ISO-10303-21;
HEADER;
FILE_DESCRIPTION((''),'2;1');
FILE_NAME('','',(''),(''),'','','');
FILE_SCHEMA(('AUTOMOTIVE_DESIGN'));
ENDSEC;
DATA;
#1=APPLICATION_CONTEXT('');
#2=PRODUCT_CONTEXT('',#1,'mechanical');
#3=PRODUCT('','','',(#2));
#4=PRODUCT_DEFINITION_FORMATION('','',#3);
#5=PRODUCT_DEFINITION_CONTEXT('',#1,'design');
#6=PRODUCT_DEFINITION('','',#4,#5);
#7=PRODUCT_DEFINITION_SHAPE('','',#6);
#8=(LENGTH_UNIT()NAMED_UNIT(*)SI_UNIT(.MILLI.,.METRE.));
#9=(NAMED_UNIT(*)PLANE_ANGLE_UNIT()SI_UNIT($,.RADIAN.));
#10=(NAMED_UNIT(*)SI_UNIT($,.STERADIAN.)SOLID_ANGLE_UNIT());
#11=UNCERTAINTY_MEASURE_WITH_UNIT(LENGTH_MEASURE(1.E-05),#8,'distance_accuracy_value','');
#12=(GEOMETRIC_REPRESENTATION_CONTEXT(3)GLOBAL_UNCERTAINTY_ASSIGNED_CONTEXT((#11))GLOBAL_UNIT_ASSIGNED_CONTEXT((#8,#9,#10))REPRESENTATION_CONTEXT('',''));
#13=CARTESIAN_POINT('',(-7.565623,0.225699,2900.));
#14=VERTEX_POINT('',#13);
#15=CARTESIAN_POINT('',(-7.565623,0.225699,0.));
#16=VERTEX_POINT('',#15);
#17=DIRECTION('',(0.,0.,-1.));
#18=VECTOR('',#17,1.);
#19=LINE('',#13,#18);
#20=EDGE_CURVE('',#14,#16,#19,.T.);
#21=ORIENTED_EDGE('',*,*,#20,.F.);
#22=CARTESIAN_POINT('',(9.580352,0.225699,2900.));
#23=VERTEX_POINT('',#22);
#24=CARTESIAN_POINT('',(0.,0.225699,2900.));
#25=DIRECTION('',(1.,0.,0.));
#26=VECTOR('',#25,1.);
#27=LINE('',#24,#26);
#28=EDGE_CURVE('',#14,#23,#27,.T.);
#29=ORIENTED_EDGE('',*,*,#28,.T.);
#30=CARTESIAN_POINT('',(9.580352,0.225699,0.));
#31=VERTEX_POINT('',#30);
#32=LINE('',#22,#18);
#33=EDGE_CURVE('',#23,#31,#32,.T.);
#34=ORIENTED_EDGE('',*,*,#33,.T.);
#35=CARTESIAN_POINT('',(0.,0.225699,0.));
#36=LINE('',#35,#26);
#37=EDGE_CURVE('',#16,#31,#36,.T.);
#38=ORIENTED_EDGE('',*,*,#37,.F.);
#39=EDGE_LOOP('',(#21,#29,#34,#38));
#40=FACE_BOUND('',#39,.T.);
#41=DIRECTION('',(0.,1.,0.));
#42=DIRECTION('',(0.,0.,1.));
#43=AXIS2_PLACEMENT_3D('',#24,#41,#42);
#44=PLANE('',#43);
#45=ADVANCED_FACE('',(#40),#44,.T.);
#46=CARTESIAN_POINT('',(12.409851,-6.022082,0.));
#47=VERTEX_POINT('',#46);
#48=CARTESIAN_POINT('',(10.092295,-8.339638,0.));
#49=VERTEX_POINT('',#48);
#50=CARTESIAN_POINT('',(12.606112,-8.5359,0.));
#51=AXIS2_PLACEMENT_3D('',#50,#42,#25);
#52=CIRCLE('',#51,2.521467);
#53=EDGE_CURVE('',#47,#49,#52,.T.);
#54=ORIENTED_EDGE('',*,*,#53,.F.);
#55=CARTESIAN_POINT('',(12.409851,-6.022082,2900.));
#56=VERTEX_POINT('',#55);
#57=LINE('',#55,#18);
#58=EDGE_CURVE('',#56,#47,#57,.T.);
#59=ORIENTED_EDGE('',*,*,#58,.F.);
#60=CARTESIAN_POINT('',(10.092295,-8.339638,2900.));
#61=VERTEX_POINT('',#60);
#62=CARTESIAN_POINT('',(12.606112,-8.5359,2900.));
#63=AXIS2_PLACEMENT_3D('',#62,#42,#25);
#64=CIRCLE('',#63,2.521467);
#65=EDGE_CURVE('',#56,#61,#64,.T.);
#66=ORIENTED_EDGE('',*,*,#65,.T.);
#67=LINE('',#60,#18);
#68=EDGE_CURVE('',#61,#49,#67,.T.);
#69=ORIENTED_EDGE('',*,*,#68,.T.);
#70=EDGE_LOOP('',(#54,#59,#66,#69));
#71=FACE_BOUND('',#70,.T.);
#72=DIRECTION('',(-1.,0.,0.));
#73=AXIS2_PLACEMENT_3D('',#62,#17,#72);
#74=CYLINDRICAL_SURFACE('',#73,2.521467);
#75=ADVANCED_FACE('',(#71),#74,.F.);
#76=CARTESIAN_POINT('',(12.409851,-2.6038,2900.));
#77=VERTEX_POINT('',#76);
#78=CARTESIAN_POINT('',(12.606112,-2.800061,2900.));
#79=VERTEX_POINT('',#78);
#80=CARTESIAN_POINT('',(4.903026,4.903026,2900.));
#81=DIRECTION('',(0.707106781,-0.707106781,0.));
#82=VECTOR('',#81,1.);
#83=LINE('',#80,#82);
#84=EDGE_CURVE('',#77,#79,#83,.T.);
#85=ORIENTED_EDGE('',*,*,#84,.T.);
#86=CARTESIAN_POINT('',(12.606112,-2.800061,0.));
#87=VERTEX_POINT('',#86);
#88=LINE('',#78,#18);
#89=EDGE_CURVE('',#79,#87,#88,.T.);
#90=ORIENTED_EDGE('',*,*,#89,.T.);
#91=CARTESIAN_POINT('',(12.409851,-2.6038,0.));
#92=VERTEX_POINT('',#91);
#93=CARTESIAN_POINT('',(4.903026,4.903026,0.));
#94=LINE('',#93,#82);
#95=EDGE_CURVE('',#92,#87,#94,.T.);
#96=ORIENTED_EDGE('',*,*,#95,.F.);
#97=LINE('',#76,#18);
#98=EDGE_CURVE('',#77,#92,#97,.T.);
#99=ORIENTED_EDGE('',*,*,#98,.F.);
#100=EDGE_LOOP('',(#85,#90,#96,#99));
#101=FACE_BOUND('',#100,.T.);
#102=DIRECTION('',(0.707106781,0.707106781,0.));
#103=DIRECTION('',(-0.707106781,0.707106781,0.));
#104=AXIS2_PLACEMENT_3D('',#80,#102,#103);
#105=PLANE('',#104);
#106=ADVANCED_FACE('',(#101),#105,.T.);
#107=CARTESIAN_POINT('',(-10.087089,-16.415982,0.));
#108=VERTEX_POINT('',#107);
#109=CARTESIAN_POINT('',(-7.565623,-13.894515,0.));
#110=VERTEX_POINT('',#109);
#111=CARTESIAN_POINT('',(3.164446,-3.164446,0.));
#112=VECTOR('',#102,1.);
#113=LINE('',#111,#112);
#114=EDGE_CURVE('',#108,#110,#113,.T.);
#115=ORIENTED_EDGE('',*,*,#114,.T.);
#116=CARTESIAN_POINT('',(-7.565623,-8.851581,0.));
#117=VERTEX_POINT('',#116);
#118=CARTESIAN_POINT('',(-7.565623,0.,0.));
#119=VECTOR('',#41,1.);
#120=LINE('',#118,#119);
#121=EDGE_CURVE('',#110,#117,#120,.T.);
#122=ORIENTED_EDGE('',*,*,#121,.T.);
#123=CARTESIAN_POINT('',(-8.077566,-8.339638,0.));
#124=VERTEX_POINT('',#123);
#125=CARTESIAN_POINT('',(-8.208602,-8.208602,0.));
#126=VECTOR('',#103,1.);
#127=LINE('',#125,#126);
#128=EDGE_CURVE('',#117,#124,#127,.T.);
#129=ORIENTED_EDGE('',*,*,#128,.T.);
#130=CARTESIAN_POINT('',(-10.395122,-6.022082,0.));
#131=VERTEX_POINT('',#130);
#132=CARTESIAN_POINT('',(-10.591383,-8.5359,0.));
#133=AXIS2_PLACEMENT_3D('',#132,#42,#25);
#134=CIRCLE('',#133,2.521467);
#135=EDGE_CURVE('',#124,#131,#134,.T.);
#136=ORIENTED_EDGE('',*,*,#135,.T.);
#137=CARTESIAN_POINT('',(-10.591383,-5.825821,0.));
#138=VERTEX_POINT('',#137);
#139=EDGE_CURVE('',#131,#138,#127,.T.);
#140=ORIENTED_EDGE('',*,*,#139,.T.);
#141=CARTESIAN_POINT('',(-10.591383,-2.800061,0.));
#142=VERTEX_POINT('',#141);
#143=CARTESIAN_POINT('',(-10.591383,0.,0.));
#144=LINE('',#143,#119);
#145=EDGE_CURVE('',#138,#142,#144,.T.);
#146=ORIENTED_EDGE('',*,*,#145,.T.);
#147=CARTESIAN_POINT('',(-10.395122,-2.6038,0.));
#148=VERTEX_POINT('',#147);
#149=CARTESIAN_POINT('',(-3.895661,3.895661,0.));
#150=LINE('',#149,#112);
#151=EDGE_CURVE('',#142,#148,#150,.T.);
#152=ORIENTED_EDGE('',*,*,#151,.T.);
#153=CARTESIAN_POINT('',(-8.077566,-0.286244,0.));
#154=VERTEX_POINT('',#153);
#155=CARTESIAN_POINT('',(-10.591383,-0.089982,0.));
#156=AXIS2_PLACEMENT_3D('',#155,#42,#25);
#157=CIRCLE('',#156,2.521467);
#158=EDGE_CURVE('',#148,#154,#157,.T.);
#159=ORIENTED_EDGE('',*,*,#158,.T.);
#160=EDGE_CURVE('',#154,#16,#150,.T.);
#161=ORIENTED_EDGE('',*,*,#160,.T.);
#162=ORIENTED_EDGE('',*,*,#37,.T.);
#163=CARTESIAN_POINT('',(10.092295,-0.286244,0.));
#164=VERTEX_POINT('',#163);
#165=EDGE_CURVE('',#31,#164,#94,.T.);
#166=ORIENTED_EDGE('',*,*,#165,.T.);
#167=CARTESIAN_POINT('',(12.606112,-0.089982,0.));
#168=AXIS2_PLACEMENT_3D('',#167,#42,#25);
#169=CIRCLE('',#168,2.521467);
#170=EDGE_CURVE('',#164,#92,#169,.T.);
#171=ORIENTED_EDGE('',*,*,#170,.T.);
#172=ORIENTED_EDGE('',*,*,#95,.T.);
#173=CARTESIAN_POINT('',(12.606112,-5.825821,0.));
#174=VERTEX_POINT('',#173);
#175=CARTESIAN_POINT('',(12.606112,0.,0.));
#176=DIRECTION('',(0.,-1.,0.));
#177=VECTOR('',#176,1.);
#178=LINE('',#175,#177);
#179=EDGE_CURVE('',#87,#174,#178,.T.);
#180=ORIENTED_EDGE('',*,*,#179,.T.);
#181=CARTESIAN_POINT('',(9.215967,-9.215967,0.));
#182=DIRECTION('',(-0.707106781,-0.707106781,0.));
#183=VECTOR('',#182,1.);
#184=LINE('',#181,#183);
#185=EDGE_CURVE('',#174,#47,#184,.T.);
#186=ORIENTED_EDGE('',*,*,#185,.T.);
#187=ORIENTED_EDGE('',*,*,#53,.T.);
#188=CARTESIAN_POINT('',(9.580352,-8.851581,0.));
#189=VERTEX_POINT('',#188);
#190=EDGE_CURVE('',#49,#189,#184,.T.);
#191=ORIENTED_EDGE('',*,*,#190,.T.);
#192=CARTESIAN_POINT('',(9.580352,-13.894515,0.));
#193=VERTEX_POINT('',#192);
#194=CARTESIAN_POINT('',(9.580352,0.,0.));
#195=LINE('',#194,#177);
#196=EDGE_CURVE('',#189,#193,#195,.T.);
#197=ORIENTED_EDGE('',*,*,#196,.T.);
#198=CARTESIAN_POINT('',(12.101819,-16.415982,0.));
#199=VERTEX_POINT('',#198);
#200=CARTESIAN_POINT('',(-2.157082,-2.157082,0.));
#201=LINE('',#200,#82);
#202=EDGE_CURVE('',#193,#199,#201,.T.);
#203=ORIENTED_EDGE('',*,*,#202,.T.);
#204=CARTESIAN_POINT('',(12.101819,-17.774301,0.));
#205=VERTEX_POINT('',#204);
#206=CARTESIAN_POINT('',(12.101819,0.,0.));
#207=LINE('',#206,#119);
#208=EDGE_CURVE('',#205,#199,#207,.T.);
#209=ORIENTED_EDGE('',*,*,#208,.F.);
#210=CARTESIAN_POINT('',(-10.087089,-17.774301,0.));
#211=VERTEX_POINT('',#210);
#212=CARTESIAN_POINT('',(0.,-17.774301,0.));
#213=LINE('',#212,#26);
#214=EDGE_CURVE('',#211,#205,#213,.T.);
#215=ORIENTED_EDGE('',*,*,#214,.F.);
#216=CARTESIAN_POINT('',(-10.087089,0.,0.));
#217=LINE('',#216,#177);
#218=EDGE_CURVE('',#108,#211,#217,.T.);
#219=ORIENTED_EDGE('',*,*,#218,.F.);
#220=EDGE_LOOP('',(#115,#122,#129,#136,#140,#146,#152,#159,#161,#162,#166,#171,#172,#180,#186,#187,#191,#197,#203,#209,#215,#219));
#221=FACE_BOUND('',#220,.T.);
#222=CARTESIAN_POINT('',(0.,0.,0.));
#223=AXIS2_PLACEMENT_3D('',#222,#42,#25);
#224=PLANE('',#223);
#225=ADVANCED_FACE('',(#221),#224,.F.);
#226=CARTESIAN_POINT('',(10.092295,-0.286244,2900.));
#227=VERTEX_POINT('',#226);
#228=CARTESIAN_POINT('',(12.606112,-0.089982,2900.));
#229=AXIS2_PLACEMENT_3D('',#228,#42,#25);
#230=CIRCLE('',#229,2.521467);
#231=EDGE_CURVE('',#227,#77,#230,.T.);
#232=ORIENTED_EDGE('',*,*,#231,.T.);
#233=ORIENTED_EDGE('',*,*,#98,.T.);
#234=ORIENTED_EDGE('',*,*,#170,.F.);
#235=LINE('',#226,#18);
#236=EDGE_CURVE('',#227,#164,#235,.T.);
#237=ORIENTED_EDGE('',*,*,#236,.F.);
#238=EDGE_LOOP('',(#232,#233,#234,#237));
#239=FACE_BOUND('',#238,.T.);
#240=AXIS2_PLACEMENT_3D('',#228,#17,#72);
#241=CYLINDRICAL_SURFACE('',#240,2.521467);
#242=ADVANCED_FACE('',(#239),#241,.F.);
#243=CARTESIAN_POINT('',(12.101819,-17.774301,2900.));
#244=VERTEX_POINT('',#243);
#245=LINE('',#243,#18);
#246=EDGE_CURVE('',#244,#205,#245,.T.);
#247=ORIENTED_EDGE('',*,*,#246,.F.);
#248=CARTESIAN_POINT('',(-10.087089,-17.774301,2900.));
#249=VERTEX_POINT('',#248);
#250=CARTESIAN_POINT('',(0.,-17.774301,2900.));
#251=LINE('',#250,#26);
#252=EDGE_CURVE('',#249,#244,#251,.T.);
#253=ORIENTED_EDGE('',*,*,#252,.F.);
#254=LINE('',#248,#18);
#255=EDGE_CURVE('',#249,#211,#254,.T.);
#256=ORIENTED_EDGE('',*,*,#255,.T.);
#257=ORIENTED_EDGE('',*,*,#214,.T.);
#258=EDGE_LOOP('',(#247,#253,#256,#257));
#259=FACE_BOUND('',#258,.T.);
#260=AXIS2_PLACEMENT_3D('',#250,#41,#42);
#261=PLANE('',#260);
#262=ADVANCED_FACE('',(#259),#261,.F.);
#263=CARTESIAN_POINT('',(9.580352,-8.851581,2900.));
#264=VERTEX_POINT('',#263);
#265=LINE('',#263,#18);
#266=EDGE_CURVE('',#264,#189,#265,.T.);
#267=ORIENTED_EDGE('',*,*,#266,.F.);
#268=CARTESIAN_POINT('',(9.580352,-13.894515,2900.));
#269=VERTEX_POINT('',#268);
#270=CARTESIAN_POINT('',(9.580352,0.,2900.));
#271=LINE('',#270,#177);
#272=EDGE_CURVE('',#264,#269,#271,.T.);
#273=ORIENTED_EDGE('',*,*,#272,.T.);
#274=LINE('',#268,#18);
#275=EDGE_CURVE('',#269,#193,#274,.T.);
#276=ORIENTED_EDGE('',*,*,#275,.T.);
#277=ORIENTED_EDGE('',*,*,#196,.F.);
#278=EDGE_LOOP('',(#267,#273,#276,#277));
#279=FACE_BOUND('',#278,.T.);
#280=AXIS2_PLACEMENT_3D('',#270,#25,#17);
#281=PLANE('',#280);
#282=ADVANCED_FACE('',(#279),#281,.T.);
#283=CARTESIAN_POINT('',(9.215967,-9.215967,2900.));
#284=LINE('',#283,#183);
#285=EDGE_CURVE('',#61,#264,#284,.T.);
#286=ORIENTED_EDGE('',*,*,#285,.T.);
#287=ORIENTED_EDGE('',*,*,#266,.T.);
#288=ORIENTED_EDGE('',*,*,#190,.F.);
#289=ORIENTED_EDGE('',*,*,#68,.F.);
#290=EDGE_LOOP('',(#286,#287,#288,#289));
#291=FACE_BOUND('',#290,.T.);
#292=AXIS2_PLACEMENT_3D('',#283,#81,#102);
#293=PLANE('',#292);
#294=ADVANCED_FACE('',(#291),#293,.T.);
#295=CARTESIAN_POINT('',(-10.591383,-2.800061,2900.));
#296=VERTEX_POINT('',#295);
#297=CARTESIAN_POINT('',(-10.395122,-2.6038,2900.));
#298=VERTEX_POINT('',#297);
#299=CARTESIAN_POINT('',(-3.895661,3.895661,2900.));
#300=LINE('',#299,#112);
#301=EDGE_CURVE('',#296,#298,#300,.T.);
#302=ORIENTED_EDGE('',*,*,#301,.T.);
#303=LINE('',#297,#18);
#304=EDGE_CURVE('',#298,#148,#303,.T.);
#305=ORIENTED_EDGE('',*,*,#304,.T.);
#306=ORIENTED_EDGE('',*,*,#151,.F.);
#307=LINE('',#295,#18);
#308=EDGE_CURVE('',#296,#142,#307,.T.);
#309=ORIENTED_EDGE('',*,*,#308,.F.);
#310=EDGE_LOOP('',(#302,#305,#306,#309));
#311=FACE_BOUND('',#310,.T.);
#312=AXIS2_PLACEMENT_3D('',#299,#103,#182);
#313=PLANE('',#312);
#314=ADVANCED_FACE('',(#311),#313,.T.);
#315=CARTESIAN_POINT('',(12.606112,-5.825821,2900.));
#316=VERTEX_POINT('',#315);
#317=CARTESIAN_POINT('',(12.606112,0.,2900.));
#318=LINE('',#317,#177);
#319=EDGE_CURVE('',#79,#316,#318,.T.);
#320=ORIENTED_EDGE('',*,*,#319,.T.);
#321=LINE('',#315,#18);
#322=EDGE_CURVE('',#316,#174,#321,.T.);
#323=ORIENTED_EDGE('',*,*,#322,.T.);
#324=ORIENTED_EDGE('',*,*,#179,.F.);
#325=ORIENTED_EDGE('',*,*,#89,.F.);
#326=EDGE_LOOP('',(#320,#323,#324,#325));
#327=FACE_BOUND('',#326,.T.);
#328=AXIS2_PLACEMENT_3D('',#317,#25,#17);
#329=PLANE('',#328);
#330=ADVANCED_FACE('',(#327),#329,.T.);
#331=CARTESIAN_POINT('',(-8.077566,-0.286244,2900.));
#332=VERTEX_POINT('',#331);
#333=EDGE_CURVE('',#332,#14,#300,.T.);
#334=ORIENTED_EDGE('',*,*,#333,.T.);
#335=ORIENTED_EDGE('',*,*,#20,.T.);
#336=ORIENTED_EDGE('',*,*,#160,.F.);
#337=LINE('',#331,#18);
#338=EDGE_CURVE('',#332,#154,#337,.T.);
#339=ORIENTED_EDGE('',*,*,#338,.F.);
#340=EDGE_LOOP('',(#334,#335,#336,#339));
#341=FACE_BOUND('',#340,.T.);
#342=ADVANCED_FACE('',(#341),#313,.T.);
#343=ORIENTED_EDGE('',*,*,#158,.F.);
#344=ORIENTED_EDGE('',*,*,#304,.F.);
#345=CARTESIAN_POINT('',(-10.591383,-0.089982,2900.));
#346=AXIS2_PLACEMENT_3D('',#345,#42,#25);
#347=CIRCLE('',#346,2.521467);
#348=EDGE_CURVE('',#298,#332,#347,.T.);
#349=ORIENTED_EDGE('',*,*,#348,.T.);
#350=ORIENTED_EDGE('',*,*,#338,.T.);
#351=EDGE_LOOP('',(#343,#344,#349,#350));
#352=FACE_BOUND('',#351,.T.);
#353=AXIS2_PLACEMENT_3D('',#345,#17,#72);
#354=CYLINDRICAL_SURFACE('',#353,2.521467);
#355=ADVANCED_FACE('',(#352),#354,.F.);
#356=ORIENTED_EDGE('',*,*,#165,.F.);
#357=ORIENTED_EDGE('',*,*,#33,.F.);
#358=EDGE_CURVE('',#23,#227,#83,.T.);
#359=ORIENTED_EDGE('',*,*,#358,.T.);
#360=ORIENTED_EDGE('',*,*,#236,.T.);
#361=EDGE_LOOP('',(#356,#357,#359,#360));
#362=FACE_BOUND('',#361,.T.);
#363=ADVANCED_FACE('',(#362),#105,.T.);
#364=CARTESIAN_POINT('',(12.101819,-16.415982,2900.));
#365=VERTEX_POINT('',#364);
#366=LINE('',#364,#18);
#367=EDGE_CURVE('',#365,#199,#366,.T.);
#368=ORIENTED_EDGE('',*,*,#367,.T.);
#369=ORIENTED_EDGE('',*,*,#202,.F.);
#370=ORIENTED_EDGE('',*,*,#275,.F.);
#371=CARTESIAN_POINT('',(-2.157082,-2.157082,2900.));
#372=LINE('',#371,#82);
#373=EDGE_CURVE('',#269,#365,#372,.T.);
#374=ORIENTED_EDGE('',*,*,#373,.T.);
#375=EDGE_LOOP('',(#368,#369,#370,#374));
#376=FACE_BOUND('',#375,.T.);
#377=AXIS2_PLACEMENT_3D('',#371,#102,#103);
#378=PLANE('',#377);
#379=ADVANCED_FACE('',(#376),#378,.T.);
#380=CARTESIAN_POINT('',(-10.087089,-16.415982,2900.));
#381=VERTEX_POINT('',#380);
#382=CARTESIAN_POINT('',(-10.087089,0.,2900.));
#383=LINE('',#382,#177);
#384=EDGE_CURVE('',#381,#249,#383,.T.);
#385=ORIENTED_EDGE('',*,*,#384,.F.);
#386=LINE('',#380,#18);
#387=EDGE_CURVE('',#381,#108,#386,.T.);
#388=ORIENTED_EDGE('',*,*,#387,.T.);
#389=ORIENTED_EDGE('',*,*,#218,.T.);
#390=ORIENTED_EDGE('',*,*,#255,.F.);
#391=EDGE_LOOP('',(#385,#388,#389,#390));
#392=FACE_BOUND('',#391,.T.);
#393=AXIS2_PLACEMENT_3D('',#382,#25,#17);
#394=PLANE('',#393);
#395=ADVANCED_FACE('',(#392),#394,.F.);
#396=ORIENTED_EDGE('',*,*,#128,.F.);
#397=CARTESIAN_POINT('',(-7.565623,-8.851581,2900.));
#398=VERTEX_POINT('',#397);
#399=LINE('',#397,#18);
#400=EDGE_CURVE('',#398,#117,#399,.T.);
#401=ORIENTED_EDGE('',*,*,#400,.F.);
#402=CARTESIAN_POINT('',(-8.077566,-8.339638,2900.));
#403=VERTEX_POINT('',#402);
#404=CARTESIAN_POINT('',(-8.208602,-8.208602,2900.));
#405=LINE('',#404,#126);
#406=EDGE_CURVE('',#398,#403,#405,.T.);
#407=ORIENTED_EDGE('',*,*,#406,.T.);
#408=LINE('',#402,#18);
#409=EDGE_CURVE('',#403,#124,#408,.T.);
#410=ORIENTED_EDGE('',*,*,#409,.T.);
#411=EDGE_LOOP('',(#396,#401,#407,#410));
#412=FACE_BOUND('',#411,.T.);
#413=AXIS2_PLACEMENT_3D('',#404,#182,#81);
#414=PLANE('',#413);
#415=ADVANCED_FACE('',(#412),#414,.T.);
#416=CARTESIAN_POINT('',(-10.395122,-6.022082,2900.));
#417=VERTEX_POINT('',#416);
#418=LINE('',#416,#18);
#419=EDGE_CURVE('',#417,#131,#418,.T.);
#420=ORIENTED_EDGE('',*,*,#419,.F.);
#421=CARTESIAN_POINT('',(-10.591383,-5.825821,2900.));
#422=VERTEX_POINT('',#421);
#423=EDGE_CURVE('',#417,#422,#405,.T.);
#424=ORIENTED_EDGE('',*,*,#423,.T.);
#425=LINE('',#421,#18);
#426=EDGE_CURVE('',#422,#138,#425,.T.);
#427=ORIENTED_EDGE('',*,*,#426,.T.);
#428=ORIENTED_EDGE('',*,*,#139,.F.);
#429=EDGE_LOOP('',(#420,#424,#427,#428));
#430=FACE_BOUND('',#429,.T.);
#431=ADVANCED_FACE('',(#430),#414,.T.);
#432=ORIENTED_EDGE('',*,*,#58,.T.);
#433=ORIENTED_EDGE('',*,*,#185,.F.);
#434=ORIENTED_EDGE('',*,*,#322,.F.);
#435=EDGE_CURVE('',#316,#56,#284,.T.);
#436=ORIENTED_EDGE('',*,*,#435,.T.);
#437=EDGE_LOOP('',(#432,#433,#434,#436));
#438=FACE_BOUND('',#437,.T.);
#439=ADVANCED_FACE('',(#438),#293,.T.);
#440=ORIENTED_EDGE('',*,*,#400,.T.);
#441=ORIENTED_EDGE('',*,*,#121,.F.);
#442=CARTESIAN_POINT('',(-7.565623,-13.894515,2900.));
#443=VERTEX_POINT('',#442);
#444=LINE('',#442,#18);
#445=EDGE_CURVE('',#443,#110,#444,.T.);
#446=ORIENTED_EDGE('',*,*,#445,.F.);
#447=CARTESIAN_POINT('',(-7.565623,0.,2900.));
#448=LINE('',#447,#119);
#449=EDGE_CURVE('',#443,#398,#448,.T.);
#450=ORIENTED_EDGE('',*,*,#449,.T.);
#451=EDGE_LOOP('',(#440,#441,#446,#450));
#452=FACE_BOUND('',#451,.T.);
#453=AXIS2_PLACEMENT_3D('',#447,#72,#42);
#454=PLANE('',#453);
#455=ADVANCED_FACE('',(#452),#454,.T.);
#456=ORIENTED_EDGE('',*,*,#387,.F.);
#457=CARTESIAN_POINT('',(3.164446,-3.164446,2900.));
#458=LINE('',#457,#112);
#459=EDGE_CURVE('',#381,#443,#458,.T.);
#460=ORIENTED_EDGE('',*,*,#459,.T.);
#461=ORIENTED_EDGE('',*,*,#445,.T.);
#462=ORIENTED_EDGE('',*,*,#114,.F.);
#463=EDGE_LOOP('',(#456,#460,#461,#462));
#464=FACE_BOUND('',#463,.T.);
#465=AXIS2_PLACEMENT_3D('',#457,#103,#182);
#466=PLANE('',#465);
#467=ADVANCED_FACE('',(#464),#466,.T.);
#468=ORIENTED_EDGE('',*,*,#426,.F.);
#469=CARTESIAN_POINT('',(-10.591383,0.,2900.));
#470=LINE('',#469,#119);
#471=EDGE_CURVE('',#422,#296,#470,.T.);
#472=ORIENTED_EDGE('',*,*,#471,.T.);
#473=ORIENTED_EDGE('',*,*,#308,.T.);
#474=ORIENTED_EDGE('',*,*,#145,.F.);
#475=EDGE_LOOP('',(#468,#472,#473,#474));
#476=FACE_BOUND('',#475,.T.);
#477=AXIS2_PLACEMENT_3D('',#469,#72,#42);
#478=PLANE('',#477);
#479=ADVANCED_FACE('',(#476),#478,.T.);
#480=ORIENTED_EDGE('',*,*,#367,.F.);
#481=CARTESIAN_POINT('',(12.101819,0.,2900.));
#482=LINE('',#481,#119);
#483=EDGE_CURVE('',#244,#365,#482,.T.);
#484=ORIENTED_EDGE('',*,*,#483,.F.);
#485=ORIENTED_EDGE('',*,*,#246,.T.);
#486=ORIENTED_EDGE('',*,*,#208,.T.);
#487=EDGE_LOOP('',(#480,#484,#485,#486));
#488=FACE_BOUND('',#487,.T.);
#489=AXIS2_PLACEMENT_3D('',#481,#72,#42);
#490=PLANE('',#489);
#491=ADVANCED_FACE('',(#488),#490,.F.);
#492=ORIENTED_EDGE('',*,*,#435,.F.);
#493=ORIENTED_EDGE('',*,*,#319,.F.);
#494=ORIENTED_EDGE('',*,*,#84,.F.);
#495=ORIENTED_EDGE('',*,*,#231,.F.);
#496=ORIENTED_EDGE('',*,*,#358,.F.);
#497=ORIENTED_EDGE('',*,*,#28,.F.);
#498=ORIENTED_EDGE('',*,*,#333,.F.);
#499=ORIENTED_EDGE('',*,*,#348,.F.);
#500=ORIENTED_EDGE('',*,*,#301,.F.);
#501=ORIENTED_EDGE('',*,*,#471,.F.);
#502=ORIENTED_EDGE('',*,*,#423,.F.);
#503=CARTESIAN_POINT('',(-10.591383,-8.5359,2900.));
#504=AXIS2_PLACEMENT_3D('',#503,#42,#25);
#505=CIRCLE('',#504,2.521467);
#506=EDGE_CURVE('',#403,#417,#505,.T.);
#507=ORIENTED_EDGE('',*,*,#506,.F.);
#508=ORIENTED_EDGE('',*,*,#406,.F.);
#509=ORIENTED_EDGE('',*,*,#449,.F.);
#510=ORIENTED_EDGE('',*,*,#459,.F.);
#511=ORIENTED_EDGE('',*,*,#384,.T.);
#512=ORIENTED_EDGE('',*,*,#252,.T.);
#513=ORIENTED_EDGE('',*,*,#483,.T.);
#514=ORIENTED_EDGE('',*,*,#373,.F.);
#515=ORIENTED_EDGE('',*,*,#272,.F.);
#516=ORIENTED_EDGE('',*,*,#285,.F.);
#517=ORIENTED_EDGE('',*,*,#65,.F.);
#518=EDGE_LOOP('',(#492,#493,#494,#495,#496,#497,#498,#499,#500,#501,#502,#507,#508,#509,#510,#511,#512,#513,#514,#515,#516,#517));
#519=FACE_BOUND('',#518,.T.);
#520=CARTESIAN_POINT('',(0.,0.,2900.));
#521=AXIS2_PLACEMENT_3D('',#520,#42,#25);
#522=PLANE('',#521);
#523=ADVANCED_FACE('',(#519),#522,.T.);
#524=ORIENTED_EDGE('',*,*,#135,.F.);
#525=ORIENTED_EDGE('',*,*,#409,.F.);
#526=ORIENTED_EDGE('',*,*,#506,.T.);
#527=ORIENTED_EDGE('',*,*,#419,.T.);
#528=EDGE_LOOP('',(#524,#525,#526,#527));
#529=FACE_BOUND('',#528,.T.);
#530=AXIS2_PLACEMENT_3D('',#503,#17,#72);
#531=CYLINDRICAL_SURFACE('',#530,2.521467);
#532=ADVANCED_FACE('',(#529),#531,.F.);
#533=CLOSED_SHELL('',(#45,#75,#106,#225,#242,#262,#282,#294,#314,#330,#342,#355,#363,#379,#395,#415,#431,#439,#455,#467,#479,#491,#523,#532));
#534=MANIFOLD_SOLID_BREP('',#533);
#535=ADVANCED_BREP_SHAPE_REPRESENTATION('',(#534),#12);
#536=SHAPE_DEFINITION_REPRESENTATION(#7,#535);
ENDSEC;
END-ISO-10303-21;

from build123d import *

# Parameters (mm, degrees)
ESTRUSIONE_ESTRUSIONE1_DEPTH = 2900


with BuildPart() as part:
    # Schizzo1 → Estrusione-Estrusione1 (new body)
    with BuildSketch(Plane.XY):
        with BuildLine():
            Line((-10.087089482, -16.415981983), (-7.565622613, -13.894515114))
            Line((-7.565622613, -13.894515114), (-7.565622613, -8.851581376))
            Line((-7.565622613, -8.851581376), (-8.0775657, -8.339638289))
            ThreePointArc((-8.0775657, -8.339638289), (-8.808436534, -6.752953221), (-10.395121602, -6.022082387))
            Line((-10.395121602, -6.022082387), (-10.591382856, -5.825821133))
            Line((-10.591382856, -5.825821133), (-10.591382856, -2.800060891))
            Line((-10.591382856, -2.800060891), (-10.395121602, -2.603799637))
            ThreePointArc((-10.395121602, -2.603799637), (-8.808436534, -1.872928803), (-8.0775657, -0.286243735))
            Line((-8.0775657, -0.286243735), (-7.565622613, 0.225699352))
            Line((-7.565622613, 0.225699352), (9.580352097, 0.225699352))
            Line((9.580352097, 0.225699352), (10.092295184, -0.286243735))
            ThreePointArc((10.092295184, -0.286243735), (10.823166018, -1.872928803), (12.409851086, -2.603799637))
            Line((12.409851086, -2.603799637), (12.606112339, -2.800060891))
            Line((12.606112339, -2.800060891), (12.606112339, -5.825821133))
            Line((12.606112339, -5.825821133), (12.409851086, -6.022082387))
            ThreePointArc((12.409851086, -6.022082387), (10.823166018, -6.752953221), (10.092295184, -8.339638289))
            Line((10.092295184, -8.339638289), (9.580352097, -8.851581376))
            Line((9.580352097, -8.851581376), (9.580352097, -13.894515114))
            Line((9.580352097, -13.894515114), (12.101818966, -16.415981983))
            Line((12.101818966, -16.415981983), (12.101818966, -17.774300648))
            Line((12.101818966, -17.774300648), (-10.087089482, -17.774300648))
            Line((-10.087089482, -17.774300648), (-10.087089482, -16.415981983))
        make_face()
    extrude(amount=ESTRUSIONE_ESTRUSIONE1_DEPTH)


solid = part.part
